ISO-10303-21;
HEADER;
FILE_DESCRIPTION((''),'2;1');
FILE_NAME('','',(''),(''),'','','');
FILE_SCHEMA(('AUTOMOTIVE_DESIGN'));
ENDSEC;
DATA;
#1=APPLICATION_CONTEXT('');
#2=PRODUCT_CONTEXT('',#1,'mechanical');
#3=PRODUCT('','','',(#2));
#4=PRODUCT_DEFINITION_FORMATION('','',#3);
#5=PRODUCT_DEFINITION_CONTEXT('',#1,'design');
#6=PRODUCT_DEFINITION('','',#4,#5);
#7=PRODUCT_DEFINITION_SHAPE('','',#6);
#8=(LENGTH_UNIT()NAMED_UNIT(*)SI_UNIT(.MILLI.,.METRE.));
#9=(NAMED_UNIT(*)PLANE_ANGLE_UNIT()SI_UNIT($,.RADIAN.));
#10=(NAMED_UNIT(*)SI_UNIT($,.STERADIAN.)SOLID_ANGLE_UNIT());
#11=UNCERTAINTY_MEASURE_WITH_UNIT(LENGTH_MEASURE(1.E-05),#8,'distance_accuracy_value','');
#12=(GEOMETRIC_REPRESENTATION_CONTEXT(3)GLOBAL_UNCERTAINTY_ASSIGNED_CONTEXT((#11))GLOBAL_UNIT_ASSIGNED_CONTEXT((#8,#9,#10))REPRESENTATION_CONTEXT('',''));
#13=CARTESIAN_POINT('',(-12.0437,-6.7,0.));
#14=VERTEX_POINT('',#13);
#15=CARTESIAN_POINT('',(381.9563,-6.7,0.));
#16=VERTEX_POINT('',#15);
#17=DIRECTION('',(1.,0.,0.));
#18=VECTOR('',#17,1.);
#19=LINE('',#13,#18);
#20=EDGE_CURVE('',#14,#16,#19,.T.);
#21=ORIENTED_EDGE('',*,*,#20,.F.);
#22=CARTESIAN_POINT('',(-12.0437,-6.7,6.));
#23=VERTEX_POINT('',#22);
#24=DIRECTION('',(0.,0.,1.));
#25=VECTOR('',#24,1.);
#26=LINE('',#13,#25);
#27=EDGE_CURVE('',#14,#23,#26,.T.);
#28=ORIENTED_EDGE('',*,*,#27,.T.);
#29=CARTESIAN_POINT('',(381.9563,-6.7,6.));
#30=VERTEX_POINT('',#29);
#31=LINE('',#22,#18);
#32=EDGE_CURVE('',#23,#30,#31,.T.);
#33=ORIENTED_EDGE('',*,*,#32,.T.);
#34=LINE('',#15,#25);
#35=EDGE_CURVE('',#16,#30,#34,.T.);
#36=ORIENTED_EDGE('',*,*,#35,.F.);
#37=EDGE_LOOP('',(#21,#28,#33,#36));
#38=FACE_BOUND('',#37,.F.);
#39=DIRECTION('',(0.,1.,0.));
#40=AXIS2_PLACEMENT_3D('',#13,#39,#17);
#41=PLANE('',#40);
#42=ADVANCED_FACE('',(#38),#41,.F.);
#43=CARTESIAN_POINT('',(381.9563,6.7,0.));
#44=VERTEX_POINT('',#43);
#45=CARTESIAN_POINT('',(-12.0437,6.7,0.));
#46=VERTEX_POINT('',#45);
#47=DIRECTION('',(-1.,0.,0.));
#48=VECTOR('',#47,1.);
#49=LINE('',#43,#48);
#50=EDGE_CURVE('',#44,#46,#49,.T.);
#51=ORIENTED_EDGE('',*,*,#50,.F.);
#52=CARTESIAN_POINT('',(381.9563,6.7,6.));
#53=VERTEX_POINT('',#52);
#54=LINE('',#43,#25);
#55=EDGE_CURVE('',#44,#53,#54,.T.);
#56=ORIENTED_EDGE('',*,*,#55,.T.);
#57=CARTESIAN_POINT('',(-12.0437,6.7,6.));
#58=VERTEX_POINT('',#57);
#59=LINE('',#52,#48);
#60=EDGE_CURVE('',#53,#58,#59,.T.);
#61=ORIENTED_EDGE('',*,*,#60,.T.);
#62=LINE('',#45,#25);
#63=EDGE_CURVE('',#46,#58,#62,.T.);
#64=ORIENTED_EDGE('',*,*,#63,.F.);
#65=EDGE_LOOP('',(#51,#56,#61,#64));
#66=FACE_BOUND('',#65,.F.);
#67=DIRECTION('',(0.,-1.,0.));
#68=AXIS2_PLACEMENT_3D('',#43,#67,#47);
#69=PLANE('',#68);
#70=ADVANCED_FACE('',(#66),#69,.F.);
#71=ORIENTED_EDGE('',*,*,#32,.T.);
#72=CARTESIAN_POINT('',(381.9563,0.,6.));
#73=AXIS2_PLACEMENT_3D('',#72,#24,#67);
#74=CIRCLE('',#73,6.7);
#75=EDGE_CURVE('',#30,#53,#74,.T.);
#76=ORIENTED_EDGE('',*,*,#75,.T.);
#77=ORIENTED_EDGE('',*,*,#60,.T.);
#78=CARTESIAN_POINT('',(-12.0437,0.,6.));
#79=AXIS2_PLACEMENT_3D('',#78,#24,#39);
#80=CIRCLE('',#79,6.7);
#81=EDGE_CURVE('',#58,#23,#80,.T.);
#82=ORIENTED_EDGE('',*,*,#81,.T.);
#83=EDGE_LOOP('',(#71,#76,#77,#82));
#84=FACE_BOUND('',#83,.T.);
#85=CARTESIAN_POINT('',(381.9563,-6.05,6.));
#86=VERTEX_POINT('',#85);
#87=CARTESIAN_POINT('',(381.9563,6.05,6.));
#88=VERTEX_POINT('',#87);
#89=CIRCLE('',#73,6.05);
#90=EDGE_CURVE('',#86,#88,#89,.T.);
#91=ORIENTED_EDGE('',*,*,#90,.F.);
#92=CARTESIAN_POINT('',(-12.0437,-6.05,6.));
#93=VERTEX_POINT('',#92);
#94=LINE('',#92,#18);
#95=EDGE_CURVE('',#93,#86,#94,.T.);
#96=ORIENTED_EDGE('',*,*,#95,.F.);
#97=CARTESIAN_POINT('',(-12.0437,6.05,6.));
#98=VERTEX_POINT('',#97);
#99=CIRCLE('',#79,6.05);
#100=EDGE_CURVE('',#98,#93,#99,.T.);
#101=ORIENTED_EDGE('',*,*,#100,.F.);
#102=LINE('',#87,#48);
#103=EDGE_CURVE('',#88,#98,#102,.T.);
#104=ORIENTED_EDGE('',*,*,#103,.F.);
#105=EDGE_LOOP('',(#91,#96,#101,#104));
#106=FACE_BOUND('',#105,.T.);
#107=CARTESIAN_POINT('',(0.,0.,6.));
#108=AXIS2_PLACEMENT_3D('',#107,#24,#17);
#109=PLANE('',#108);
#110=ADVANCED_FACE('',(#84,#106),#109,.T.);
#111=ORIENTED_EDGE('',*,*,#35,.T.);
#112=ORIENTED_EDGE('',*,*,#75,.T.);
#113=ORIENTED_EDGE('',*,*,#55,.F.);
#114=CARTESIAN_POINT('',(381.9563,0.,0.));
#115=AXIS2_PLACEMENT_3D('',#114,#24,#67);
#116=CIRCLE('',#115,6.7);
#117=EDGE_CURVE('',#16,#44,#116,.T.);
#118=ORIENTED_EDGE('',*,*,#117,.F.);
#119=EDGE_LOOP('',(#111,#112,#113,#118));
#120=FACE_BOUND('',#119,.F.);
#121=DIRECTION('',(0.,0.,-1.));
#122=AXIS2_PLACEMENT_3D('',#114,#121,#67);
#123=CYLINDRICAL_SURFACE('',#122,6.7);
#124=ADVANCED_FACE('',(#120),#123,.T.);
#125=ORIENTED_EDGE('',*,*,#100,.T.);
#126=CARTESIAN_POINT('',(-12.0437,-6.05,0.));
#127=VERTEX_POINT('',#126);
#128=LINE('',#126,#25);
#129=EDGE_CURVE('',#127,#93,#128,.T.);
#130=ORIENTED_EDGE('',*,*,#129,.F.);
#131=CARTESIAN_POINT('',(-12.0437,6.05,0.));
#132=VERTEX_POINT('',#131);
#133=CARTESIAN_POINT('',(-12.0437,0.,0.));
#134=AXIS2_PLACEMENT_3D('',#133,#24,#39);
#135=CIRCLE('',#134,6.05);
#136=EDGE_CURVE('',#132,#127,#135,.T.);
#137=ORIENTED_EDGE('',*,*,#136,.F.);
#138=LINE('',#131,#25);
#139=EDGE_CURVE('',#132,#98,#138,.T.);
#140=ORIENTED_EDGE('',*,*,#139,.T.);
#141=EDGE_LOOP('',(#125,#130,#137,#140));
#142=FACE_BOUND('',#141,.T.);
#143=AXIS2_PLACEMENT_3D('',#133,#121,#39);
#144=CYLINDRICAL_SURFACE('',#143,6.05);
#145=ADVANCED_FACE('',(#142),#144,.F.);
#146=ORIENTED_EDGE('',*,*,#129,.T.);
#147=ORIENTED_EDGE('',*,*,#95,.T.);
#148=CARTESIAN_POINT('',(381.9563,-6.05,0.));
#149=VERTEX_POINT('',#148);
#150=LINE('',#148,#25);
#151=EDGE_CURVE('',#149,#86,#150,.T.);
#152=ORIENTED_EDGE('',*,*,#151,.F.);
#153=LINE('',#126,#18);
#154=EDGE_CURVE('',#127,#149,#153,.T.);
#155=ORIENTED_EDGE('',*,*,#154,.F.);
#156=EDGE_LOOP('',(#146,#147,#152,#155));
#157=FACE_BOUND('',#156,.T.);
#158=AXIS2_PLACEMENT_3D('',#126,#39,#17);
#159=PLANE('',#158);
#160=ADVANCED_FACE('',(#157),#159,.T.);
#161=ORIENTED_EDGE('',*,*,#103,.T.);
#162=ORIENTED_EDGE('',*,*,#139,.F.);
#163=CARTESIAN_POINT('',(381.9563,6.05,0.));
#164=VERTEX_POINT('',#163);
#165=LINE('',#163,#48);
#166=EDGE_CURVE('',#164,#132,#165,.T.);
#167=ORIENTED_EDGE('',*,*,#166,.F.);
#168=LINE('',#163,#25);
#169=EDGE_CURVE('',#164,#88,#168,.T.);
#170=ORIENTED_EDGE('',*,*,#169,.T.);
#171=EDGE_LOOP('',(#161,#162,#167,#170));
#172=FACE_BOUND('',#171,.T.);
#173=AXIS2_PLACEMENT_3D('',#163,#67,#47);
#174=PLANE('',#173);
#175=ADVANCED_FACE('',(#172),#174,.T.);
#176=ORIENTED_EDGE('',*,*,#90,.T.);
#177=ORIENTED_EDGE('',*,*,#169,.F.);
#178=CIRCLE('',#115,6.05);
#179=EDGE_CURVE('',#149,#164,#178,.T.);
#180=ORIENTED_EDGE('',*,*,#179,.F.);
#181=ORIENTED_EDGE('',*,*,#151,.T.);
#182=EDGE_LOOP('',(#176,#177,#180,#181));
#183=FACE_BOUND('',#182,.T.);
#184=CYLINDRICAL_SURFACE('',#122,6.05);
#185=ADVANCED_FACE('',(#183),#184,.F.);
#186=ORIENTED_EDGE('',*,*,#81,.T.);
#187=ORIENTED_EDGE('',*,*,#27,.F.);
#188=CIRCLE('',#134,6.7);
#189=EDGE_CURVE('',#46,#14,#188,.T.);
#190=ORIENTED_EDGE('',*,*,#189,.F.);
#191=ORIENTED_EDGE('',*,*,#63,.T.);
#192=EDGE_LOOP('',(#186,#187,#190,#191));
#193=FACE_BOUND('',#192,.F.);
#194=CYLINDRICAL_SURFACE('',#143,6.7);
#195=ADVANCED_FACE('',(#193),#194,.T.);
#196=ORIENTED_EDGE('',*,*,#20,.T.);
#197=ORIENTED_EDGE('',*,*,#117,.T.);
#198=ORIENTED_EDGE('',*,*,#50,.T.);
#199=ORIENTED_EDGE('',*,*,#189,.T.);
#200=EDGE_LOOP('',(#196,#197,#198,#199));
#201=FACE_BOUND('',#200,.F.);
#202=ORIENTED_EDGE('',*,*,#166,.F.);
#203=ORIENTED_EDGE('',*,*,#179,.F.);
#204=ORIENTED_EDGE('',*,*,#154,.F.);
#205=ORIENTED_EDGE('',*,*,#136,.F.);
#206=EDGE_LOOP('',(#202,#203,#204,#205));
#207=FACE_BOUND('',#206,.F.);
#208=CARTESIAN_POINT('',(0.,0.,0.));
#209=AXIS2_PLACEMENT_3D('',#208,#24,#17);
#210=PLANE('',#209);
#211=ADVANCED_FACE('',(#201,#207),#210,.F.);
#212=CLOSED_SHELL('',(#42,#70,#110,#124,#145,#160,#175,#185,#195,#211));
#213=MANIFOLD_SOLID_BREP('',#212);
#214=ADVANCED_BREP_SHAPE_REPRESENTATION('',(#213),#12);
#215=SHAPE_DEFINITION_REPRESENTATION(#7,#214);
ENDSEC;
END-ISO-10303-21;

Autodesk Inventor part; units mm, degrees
ref_plane "YZ Plane" through (0, 0, 0) normal (1, 0, 0) x (0, 1, 0)
ref_plane "XZ Plane" through (0, 0, 0) normal (0, 1, 0) x (-1, 0, 0)
ref_plane "XY Plane" through (0, 0, 0) normal (0, 0, 1) x (1, 0, 0)
sketch "Sketch1" plane through (0, 0, 0) normal (0, 0, 1) x (1, 0, 0)
  line L0 (-12.0437, 0) -> (381.9563, 0) construction
  line L1 (-12.0437, -6.05) -> (381.9563, -6.05)
  line L2 (381.9563, 6.05) -> (-12.0437, 6.05)
  arc A0 (-12.0437, 6.05) -> (-12.0437, -6.05) centre (-12.0437, 0) ccw
  arc A1 (381.9563, -6.05) -> (381.9563, 6.05) centre (381.9563, 0) ccw
  line L3 (-12.0437, -6.7) -> (381.9563, -6.7)
  arc A2 (381.9563, -6.7) -> (381.9563, 6.7) centre (381.9563, 0) ccw
  line L4 (381.9563, 6.7) -> (-12.0437, 6.7)
  arc A3 (-12.0437, 6.7) -> (-12.0437, -6.7) centre (-12.0437, 0) ccw
  point P0 (0, 0)
  point P1 (184.9563, 0)
  dimension "d0" = 394
  dimension "d1" = 12.1
  dimension "d2" = 0.65
extrude "Extrusion1" add sketch "Sketch1" along normal blind 6
properties part number "COTS_GENERIC_GT2_Timing_belt_6mm_Y_axis"
